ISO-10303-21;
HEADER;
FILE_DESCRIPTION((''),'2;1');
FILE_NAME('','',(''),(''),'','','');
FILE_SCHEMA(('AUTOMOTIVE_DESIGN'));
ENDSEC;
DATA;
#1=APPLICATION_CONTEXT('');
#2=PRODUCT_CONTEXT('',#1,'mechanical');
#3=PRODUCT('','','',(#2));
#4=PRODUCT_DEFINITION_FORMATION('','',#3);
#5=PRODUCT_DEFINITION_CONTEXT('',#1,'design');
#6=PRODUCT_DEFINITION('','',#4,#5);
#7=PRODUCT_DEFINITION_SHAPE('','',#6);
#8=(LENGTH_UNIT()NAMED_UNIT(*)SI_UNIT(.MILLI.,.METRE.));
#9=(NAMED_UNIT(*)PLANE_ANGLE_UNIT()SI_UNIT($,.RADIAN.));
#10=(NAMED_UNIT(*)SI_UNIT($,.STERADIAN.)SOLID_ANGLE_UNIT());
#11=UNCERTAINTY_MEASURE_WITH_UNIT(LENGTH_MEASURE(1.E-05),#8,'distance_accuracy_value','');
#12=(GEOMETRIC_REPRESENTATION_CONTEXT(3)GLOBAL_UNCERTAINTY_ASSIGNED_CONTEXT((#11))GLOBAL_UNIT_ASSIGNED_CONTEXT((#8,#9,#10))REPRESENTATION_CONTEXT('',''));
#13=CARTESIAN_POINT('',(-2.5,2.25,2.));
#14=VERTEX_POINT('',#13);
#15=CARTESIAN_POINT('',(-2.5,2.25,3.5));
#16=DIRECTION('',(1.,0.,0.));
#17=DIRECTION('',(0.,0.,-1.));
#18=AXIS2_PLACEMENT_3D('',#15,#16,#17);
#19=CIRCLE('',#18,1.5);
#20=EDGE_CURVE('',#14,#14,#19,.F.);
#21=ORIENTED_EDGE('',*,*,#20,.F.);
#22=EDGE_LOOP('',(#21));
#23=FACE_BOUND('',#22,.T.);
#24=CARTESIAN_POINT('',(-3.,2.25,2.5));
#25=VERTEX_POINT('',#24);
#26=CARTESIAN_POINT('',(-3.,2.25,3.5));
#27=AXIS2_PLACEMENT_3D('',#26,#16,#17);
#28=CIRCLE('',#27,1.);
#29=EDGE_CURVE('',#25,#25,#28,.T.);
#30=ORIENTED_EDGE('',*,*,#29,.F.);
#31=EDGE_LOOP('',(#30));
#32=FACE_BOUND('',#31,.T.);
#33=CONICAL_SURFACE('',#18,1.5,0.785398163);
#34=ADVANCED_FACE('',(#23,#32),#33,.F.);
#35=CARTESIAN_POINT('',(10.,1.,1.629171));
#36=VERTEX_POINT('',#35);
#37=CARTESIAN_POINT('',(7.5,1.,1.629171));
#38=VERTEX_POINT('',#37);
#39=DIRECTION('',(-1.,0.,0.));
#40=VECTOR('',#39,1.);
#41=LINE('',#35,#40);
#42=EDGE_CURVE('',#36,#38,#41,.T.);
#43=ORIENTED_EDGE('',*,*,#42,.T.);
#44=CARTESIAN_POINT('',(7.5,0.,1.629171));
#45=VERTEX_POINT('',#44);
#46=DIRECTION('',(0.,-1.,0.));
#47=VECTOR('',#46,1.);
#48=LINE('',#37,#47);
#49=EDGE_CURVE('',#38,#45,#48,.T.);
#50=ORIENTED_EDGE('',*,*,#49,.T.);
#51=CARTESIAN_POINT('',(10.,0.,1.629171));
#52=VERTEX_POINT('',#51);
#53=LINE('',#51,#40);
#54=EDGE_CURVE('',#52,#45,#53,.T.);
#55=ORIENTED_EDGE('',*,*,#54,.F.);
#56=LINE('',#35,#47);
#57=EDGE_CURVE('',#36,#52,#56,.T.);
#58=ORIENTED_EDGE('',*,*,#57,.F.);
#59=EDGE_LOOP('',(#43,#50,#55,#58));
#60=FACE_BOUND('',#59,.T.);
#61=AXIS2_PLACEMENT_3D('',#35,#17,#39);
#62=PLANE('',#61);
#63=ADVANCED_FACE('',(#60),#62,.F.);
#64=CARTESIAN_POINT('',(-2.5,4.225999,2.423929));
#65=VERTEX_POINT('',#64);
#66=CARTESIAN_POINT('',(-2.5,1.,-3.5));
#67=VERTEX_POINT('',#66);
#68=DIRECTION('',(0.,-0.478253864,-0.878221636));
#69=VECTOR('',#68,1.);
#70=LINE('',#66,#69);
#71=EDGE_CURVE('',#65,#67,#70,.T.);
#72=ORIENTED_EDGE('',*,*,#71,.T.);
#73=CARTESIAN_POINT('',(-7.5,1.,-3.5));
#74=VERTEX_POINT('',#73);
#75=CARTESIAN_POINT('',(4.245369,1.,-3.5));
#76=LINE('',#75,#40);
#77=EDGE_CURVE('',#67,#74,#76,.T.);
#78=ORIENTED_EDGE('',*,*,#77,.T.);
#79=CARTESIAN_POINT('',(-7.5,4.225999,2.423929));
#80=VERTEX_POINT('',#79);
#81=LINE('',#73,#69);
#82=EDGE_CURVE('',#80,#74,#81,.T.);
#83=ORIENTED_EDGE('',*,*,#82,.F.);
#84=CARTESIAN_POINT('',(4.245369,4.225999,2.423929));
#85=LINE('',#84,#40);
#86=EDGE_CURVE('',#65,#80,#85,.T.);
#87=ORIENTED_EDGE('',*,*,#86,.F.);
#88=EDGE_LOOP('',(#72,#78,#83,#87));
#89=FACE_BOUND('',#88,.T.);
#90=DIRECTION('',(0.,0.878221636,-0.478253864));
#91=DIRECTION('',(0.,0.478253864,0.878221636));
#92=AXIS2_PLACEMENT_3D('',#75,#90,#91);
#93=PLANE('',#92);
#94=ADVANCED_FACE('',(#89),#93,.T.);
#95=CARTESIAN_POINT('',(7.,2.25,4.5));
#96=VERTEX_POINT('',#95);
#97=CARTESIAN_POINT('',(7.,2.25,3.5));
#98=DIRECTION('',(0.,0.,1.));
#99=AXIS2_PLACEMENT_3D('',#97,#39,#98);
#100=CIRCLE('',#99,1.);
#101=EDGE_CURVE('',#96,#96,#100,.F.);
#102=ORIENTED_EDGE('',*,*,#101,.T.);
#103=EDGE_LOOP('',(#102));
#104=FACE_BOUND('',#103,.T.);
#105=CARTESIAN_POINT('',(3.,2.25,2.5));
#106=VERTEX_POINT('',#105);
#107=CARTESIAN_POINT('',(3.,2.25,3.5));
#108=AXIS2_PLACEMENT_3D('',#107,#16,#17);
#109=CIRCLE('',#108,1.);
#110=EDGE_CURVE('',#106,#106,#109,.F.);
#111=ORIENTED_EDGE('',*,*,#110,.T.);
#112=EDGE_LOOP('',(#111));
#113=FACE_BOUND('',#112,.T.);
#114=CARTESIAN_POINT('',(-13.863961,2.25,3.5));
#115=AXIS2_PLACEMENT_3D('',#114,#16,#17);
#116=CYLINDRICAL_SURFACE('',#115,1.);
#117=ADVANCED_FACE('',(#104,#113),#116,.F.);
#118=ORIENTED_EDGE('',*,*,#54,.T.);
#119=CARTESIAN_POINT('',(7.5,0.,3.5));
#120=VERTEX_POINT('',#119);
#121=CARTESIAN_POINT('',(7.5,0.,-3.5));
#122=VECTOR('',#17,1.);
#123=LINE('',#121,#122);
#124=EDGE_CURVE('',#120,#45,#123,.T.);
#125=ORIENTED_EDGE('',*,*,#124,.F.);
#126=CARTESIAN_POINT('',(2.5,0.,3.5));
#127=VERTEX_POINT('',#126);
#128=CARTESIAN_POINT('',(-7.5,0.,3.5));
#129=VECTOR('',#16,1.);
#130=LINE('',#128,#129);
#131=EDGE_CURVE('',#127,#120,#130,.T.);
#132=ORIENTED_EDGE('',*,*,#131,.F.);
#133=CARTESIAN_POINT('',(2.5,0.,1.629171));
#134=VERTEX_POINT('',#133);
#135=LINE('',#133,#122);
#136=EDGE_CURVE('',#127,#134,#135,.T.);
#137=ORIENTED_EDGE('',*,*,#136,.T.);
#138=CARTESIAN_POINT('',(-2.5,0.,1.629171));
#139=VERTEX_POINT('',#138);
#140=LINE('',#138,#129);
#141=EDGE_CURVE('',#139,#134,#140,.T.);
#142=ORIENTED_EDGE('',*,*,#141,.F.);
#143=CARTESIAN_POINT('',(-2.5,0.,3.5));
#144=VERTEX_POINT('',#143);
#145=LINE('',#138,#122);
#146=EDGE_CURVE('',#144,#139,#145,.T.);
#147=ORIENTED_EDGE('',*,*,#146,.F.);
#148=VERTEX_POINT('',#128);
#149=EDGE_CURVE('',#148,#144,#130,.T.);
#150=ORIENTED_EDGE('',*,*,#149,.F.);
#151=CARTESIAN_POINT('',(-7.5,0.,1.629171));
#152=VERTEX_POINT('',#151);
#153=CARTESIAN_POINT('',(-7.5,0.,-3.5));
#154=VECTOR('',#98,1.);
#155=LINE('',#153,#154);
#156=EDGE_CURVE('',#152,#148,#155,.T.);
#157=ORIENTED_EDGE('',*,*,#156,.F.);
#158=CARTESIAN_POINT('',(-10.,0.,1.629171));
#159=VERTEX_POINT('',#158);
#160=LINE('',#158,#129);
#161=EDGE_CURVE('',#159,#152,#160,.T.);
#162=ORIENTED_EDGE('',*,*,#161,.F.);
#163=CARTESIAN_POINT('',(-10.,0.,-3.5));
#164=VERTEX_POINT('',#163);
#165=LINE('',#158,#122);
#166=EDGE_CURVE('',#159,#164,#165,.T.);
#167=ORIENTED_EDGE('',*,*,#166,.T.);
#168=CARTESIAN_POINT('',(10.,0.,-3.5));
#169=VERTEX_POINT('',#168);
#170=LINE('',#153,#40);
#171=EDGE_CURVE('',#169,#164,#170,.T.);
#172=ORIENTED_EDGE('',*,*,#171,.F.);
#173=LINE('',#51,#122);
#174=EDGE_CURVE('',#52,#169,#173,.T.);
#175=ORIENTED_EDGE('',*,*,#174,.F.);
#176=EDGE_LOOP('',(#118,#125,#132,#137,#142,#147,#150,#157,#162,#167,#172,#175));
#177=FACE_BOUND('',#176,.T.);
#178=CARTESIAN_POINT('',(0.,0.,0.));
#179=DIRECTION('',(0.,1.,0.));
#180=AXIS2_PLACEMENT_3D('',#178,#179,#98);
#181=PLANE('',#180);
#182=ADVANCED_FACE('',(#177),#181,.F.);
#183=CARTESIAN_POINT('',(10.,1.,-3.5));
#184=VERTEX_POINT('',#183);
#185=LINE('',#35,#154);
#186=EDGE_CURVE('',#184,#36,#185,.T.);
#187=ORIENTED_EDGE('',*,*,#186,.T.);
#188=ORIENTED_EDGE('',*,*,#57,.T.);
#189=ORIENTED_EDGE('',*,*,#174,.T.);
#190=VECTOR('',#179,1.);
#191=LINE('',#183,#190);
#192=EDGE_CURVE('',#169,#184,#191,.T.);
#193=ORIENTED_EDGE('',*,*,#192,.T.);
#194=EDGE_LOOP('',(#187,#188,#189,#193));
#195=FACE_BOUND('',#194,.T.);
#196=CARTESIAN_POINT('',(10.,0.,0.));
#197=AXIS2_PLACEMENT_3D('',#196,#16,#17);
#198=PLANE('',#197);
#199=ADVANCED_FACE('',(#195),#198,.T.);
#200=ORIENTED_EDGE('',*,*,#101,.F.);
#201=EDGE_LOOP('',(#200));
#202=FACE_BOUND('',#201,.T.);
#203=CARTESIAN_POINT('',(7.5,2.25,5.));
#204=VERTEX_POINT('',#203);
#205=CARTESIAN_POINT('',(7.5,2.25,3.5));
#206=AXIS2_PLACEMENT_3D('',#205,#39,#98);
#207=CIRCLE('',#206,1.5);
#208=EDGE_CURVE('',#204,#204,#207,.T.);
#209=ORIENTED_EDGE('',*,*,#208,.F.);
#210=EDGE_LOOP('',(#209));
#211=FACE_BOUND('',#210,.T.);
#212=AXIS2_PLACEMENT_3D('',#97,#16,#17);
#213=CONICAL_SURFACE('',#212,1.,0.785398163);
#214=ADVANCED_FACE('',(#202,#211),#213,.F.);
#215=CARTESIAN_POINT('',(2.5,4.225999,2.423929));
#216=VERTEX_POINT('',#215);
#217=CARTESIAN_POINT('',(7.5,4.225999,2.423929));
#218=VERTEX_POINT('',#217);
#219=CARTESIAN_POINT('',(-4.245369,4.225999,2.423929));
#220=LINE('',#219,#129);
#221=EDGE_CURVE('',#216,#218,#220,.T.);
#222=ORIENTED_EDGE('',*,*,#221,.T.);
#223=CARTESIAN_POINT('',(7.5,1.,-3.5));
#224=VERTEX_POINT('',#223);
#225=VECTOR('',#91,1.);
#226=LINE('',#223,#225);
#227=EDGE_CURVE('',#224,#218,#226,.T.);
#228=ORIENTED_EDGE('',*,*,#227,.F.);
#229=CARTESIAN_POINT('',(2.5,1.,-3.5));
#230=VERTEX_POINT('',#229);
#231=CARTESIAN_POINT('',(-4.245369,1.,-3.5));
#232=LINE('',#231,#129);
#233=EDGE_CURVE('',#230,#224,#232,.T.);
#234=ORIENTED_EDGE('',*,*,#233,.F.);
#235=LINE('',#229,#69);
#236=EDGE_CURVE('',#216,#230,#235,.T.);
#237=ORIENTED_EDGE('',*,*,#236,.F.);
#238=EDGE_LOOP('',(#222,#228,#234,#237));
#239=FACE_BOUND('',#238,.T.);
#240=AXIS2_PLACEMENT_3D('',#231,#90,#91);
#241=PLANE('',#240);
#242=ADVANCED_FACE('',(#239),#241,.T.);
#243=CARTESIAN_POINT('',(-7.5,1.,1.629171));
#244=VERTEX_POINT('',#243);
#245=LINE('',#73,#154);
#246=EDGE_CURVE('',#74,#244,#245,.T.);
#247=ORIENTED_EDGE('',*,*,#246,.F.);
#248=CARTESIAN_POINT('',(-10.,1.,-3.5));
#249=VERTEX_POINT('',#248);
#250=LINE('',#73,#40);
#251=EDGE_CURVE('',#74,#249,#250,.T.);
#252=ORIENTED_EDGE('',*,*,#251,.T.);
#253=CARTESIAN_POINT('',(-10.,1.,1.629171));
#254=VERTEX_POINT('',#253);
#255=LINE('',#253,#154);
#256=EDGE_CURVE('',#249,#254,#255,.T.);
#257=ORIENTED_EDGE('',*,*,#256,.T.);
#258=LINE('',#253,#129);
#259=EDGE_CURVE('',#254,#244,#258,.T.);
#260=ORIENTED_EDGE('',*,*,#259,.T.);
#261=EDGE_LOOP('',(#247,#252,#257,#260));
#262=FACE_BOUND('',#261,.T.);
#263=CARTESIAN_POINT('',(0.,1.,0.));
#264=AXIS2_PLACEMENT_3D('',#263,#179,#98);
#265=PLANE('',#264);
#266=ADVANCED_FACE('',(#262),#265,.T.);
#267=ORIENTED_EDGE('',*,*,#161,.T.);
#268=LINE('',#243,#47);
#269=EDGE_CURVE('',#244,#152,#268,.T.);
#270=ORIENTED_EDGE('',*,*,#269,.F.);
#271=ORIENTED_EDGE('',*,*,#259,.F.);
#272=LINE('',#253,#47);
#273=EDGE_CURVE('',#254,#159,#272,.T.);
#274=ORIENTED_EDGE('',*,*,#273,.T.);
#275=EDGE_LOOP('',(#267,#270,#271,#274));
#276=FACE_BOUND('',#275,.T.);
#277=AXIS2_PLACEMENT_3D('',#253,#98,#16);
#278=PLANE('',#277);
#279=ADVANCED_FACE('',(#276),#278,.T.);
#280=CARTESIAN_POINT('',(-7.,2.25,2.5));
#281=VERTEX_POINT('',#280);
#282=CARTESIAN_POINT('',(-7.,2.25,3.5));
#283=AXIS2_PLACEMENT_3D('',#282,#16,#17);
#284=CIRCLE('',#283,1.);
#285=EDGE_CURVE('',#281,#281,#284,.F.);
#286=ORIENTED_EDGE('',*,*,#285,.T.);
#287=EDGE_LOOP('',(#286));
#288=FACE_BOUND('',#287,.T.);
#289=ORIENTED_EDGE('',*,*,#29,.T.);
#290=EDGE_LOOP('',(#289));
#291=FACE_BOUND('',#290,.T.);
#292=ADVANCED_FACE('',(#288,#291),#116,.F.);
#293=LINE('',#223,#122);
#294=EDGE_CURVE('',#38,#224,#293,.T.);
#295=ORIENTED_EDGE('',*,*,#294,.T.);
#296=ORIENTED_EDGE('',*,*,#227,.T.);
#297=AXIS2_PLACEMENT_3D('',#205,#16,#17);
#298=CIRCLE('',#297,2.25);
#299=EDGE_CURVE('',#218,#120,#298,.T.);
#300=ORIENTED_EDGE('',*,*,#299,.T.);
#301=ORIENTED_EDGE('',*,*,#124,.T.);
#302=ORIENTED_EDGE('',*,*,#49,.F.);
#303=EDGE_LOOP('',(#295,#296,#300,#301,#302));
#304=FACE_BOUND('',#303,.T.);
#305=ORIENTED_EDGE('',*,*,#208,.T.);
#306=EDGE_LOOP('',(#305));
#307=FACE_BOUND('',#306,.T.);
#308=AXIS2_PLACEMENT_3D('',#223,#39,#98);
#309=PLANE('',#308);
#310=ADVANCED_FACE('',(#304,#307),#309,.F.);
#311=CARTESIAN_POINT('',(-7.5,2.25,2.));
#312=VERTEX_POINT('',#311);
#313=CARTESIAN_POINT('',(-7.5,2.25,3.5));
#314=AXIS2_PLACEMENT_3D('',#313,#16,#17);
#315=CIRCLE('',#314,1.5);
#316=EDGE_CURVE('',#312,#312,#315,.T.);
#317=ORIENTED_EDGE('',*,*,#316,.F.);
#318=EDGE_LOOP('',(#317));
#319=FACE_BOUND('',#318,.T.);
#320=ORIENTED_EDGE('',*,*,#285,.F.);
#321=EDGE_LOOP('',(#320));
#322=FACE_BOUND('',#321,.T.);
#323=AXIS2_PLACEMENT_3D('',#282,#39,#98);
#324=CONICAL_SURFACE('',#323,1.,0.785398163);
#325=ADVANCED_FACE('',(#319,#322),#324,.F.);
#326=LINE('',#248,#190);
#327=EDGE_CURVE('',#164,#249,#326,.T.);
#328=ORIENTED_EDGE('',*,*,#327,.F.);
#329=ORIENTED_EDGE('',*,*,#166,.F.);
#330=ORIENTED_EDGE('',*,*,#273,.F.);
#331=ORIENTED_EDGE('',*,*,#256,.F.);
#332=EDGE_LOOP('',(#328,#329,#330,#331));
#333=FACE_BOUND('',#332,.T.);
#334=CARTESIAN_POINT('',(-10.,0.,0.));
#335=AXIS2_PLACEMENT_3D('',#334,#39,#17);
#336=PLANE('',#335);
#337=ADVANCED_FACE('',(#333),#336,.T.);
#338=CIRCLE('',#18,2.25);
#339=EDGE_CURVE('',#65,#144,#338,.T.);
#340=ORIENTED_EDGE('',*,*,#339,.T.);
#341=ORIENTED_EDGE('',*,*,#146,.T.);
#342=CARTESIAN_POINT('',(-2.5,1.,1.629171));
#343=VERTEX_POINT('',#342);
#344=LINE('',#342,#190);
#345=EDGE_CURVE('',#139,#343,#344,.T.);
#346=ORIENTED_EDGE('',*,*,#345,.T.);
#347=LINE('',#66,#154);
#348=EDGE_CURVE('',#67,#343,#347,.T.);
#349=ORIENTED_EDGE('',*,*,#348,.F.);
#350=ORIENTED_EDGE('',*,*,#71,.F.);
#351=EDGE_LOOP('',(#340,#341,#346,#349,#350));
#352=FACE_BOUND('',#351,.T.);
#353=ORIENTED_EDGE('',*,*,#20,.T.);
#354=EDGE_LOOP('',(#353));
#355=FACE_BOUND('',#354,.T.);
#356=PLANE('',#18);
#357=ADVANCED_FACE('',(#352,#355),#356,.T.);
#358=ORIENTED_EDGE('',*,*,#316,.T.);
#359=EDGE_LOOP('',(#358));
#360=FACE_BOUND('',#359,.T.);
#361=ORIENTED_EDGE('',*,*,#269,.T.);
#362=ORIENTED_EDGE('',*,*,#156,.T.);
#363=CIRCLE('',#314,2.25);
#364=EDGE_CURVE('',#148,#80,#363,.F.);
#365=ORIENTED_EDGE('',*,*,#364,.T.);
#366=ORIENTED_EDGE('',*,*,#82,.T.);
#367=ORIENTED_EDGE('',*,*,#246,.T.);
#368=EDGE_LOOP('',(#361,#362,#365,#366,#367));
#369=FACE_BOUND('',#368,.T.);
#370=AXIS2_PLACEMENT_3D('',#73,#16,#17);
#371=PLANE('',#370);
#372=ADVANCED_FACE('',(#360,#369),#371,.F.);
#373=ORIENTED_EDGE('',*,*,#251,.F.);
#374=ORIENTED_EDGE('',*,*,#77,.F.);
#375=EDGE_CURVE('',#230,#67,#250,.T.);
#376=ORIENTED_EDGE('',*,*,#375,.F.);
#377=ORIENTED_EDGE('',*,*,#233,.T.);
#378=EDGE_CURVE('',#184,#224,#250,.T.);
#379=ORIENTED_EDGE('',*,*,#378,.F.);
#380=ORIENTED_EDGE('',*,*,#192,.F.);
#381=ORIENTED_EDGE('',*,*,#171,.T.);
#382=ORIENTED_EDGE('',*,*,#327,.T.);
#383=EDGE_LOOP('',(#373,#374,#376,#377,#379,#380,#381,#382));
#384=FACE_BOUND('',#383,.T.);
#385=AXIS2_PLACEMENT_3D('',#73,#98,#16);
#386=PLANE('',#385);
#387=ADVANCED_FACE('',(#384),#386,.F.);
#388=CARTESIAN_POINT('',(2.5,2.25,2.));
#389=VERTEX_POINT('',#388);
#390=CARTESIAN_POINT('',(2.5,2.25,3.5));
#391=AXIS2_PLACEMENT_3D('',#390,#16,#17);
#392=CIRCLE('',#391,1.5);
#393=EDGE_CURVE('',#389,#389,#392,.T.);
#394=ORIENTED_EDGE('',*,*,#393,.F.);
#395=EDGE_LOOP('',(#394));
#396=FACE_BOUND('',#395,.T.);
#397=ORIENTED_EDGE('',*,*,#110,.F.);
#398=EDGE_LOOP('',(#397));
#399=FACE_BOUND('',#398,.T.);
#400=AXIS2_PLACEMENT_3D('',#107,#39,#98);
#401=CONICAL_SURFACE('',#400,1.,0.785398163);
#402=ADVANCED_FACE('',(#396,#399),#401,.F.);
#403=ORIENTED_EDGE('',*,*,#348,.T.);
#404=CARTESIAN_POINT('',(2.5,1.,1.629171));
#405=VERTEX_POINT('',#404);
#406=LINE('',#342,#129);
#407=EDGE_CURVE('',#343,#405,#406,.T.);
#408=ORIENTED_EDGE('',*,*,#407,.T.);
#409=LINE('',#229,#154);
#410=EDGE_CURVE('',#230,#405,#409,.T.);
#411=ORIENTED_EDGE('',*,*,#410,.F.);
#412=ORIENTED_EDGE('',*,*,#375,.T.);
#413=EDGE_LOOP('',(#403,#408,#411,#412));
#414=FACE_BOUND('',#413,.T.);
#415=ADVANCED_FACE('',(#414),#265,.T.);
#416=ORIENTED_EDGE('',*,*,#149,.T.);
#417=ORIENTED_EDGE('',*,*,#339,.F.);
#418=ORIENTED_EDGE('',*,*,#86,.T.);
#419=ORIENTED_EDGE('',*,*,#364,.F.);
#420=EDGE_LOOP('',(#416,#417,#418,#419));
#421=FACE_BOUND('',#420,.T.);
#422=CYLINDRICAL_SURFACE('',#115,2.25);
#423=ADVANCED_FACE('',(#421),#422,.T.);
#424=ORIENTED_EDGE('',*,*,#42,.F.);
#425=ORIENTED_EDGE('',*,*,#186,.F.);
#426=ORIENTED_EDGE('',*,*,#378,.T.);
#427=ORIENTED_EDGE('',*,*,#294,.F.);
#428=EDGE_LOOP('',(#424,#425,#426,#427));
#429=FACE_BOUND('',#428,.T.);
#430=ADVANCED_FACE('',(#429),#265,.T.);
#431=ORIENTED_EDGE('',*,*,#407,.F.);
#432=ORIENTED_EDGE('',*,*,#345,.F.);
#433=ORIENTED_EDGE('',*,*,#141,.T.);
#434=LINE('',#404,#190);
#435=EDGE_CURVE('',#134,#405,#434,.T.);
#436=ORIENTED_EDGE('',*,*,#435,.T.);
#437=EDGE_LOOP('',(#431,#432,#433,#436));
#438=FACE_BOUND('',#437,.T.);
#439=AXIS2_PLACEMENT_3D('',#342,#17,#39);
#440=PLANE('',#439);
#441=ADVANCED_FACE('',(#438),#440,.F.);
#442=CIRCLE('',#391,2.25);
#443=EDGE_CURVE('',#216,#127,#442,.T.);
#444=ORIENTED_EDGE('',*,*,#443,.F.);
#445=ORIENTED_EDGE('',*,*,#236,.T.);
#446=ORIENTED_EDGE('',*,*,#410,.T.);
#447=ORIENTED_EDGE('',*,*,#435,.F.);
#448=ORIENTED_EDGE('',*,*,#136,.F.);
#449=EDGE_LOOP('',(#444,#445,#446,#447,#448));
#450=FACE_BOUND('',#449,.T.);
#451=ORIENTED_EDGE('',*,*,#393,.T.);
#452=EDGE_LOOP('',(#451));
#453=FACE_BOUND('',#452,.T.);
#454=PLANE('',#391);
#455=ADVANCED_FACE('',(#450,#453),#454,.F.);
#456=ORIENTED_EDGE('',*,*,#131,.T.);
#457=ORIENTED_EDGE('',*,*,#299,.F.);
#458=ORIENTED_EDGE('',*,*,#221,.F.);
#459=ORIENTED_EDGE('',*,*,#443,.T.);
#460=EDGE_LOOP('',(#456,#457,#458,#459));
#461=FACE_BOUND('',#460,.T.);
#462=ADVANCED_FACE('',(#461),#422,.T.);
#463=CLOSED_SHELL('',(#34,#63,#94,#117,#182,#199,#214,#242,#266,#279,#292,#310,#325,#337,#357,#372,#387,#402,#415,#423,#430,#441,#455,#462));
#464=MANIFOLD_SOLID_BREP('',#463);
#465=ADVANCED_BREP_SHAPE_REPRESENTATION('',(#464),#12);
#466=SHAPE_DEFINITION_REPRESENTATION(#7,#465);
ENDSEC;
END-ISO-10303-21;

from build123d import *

# Parameters (mm, degrees)
SKIZZE2_W                       = 15
SKIZZE2_H                       = 7
AUFSATZ_LINEAR_AUSTRAGEN1_DEPTH = 1
SKIZZE3_R                       = 2.25
SKIZZE3_R_2                     = 1
AUFSATZ_LINEAR_AUSTRAGEN2_DEPTH = 15
SCHNITT_LINEAR_START            = -5
SCHNITT_LINEAR_AUSTRAGEN1_DEPTH = 5
SKIZZE7_W                       = 5.129171307
SKIZZE7_H                       = 1
AUFSATZ_LINEAR_AUSTRAGEN3_DEPTH = 2.5
FASE1_SIZE                      = 0.5
VERST_RKUNGSFASE_DEPTH          = 5
AUFSATZ_LINEAR_AUSTRAGEN5_DEPTH = 5


with BuildPart() as part:
    # Skizze2 → Aufsatz-Linear austragen1 (new body)
    with BuildSketch(Plane(origin=(0, 0, 0), x_dir=(1, 0, 0), z_dir=(0, 1, 0))):
        Rectangle(SKIZZE2_W, SKIZZE2_H)
    extrude(amount=AUFSATZ_LINEAR_AUSTRAGEN1_DEPTH)

    # Skizze3 → Aufsatz-Linear austragen2 (add)
    with BuildSketch(Plane(origin=(7.5, 0, 0), x_dir=(0, 0, -1), z_dir=(1, 0, 0))):
        with Locations((-3.5, 2.25)):
            Circle(SKIZZE3_R)
        with Locations((-3.5, 2.25)):
            Circle(SKIZZE3_R_2, mode=Mode.SUBTRACT)
    extrude(amount=-AUFSATZ_LINEAR_AUSTRAGEN2_DEPTH)

    # Skizze5 → Schnitt-Linear austragen1 (cut)
    with BuildSketch(Plane(origin=(7.5, 0, 0), x_dir=(0, 0, -1), z_dir=(1, 0, 0)).offset(SCHNITT_LINEAR_START)):
        with BuildLine():
            Line((-1.629171307, 1), (-1.629171307, 0))
            Line((-1.629171307, 0), (-3.5, 0))
            ThreePointArc((-3.5, 0), (-4.560660172, 4.234313483), (-1.629171307, 1))
        make_face()
    extrude(amount=-SCHNITT_LINEAR_AUSTRAGEN1_DEPTH, mode=Mode.SUBTRACT)

    # Skizze7 → Aufsatz-Linear austragen3 (add)
    with BuildSketch(Plane(origin=(7.5, 0, 0), x_dir=(0, 0, -1), z_dir=(1, 0, 0))):
        with Locations((0.935414346, 0.5)):
            Rectangle(SKIZZE7_W, SKIZZE7_H)
    aufsatz_linear_austragen3 = extrude(amount=AUFSATZ_LINEAR_AUSTRAGEN3_DEPTH)

    # Spiegeln1: Aufsatz-Linear austragen3 across plane
    add(aufsatz_linear_austragen3.mirror(Plane(origin=(0, 0, 0), x_dir=(0, 0, 1), z_dir=(1, 0, 0))))

    # Fase1
    fase1_edges = [part.edges().sort_by_distance(p)[0] for p in [
        (-7.5, 2.25, 4.5),
        (7.5, 2.25, 4.5),
        (2.5, 2.25, 4.5),
        (-2.5, 2.25, 4.5),
    ]]
    chamfer(fase1_edges, length=FASE1_SIZE)

    # Skizze8 → Verstärkungsfase (add)
    with BuildSketch(Plane(origin=(7.5, 0, 0), x_dir=(0, 0, -1), z_dir=(1, 0, 0))):
        Polygon((-1.629171307, 1), (3.5, 1), (-2.423928807, 4.225998681), align=None)
    extrude(amount=-VERST_RKUNGSFASE_DEPTH)

    # Skizze9 → Aufsatz-Linear austragen5 (add)
    with BuildSketch(Plane.ZY.offset(7.5)):
        Polygon((1.629171307, 1), (-3.5, 1), (2.423928807, 4.225998681), align=None)
    extrude(amount=-AUFSATZ_LINEAR_AUSTRAGEN5_DEPTH)


solid = part.part
